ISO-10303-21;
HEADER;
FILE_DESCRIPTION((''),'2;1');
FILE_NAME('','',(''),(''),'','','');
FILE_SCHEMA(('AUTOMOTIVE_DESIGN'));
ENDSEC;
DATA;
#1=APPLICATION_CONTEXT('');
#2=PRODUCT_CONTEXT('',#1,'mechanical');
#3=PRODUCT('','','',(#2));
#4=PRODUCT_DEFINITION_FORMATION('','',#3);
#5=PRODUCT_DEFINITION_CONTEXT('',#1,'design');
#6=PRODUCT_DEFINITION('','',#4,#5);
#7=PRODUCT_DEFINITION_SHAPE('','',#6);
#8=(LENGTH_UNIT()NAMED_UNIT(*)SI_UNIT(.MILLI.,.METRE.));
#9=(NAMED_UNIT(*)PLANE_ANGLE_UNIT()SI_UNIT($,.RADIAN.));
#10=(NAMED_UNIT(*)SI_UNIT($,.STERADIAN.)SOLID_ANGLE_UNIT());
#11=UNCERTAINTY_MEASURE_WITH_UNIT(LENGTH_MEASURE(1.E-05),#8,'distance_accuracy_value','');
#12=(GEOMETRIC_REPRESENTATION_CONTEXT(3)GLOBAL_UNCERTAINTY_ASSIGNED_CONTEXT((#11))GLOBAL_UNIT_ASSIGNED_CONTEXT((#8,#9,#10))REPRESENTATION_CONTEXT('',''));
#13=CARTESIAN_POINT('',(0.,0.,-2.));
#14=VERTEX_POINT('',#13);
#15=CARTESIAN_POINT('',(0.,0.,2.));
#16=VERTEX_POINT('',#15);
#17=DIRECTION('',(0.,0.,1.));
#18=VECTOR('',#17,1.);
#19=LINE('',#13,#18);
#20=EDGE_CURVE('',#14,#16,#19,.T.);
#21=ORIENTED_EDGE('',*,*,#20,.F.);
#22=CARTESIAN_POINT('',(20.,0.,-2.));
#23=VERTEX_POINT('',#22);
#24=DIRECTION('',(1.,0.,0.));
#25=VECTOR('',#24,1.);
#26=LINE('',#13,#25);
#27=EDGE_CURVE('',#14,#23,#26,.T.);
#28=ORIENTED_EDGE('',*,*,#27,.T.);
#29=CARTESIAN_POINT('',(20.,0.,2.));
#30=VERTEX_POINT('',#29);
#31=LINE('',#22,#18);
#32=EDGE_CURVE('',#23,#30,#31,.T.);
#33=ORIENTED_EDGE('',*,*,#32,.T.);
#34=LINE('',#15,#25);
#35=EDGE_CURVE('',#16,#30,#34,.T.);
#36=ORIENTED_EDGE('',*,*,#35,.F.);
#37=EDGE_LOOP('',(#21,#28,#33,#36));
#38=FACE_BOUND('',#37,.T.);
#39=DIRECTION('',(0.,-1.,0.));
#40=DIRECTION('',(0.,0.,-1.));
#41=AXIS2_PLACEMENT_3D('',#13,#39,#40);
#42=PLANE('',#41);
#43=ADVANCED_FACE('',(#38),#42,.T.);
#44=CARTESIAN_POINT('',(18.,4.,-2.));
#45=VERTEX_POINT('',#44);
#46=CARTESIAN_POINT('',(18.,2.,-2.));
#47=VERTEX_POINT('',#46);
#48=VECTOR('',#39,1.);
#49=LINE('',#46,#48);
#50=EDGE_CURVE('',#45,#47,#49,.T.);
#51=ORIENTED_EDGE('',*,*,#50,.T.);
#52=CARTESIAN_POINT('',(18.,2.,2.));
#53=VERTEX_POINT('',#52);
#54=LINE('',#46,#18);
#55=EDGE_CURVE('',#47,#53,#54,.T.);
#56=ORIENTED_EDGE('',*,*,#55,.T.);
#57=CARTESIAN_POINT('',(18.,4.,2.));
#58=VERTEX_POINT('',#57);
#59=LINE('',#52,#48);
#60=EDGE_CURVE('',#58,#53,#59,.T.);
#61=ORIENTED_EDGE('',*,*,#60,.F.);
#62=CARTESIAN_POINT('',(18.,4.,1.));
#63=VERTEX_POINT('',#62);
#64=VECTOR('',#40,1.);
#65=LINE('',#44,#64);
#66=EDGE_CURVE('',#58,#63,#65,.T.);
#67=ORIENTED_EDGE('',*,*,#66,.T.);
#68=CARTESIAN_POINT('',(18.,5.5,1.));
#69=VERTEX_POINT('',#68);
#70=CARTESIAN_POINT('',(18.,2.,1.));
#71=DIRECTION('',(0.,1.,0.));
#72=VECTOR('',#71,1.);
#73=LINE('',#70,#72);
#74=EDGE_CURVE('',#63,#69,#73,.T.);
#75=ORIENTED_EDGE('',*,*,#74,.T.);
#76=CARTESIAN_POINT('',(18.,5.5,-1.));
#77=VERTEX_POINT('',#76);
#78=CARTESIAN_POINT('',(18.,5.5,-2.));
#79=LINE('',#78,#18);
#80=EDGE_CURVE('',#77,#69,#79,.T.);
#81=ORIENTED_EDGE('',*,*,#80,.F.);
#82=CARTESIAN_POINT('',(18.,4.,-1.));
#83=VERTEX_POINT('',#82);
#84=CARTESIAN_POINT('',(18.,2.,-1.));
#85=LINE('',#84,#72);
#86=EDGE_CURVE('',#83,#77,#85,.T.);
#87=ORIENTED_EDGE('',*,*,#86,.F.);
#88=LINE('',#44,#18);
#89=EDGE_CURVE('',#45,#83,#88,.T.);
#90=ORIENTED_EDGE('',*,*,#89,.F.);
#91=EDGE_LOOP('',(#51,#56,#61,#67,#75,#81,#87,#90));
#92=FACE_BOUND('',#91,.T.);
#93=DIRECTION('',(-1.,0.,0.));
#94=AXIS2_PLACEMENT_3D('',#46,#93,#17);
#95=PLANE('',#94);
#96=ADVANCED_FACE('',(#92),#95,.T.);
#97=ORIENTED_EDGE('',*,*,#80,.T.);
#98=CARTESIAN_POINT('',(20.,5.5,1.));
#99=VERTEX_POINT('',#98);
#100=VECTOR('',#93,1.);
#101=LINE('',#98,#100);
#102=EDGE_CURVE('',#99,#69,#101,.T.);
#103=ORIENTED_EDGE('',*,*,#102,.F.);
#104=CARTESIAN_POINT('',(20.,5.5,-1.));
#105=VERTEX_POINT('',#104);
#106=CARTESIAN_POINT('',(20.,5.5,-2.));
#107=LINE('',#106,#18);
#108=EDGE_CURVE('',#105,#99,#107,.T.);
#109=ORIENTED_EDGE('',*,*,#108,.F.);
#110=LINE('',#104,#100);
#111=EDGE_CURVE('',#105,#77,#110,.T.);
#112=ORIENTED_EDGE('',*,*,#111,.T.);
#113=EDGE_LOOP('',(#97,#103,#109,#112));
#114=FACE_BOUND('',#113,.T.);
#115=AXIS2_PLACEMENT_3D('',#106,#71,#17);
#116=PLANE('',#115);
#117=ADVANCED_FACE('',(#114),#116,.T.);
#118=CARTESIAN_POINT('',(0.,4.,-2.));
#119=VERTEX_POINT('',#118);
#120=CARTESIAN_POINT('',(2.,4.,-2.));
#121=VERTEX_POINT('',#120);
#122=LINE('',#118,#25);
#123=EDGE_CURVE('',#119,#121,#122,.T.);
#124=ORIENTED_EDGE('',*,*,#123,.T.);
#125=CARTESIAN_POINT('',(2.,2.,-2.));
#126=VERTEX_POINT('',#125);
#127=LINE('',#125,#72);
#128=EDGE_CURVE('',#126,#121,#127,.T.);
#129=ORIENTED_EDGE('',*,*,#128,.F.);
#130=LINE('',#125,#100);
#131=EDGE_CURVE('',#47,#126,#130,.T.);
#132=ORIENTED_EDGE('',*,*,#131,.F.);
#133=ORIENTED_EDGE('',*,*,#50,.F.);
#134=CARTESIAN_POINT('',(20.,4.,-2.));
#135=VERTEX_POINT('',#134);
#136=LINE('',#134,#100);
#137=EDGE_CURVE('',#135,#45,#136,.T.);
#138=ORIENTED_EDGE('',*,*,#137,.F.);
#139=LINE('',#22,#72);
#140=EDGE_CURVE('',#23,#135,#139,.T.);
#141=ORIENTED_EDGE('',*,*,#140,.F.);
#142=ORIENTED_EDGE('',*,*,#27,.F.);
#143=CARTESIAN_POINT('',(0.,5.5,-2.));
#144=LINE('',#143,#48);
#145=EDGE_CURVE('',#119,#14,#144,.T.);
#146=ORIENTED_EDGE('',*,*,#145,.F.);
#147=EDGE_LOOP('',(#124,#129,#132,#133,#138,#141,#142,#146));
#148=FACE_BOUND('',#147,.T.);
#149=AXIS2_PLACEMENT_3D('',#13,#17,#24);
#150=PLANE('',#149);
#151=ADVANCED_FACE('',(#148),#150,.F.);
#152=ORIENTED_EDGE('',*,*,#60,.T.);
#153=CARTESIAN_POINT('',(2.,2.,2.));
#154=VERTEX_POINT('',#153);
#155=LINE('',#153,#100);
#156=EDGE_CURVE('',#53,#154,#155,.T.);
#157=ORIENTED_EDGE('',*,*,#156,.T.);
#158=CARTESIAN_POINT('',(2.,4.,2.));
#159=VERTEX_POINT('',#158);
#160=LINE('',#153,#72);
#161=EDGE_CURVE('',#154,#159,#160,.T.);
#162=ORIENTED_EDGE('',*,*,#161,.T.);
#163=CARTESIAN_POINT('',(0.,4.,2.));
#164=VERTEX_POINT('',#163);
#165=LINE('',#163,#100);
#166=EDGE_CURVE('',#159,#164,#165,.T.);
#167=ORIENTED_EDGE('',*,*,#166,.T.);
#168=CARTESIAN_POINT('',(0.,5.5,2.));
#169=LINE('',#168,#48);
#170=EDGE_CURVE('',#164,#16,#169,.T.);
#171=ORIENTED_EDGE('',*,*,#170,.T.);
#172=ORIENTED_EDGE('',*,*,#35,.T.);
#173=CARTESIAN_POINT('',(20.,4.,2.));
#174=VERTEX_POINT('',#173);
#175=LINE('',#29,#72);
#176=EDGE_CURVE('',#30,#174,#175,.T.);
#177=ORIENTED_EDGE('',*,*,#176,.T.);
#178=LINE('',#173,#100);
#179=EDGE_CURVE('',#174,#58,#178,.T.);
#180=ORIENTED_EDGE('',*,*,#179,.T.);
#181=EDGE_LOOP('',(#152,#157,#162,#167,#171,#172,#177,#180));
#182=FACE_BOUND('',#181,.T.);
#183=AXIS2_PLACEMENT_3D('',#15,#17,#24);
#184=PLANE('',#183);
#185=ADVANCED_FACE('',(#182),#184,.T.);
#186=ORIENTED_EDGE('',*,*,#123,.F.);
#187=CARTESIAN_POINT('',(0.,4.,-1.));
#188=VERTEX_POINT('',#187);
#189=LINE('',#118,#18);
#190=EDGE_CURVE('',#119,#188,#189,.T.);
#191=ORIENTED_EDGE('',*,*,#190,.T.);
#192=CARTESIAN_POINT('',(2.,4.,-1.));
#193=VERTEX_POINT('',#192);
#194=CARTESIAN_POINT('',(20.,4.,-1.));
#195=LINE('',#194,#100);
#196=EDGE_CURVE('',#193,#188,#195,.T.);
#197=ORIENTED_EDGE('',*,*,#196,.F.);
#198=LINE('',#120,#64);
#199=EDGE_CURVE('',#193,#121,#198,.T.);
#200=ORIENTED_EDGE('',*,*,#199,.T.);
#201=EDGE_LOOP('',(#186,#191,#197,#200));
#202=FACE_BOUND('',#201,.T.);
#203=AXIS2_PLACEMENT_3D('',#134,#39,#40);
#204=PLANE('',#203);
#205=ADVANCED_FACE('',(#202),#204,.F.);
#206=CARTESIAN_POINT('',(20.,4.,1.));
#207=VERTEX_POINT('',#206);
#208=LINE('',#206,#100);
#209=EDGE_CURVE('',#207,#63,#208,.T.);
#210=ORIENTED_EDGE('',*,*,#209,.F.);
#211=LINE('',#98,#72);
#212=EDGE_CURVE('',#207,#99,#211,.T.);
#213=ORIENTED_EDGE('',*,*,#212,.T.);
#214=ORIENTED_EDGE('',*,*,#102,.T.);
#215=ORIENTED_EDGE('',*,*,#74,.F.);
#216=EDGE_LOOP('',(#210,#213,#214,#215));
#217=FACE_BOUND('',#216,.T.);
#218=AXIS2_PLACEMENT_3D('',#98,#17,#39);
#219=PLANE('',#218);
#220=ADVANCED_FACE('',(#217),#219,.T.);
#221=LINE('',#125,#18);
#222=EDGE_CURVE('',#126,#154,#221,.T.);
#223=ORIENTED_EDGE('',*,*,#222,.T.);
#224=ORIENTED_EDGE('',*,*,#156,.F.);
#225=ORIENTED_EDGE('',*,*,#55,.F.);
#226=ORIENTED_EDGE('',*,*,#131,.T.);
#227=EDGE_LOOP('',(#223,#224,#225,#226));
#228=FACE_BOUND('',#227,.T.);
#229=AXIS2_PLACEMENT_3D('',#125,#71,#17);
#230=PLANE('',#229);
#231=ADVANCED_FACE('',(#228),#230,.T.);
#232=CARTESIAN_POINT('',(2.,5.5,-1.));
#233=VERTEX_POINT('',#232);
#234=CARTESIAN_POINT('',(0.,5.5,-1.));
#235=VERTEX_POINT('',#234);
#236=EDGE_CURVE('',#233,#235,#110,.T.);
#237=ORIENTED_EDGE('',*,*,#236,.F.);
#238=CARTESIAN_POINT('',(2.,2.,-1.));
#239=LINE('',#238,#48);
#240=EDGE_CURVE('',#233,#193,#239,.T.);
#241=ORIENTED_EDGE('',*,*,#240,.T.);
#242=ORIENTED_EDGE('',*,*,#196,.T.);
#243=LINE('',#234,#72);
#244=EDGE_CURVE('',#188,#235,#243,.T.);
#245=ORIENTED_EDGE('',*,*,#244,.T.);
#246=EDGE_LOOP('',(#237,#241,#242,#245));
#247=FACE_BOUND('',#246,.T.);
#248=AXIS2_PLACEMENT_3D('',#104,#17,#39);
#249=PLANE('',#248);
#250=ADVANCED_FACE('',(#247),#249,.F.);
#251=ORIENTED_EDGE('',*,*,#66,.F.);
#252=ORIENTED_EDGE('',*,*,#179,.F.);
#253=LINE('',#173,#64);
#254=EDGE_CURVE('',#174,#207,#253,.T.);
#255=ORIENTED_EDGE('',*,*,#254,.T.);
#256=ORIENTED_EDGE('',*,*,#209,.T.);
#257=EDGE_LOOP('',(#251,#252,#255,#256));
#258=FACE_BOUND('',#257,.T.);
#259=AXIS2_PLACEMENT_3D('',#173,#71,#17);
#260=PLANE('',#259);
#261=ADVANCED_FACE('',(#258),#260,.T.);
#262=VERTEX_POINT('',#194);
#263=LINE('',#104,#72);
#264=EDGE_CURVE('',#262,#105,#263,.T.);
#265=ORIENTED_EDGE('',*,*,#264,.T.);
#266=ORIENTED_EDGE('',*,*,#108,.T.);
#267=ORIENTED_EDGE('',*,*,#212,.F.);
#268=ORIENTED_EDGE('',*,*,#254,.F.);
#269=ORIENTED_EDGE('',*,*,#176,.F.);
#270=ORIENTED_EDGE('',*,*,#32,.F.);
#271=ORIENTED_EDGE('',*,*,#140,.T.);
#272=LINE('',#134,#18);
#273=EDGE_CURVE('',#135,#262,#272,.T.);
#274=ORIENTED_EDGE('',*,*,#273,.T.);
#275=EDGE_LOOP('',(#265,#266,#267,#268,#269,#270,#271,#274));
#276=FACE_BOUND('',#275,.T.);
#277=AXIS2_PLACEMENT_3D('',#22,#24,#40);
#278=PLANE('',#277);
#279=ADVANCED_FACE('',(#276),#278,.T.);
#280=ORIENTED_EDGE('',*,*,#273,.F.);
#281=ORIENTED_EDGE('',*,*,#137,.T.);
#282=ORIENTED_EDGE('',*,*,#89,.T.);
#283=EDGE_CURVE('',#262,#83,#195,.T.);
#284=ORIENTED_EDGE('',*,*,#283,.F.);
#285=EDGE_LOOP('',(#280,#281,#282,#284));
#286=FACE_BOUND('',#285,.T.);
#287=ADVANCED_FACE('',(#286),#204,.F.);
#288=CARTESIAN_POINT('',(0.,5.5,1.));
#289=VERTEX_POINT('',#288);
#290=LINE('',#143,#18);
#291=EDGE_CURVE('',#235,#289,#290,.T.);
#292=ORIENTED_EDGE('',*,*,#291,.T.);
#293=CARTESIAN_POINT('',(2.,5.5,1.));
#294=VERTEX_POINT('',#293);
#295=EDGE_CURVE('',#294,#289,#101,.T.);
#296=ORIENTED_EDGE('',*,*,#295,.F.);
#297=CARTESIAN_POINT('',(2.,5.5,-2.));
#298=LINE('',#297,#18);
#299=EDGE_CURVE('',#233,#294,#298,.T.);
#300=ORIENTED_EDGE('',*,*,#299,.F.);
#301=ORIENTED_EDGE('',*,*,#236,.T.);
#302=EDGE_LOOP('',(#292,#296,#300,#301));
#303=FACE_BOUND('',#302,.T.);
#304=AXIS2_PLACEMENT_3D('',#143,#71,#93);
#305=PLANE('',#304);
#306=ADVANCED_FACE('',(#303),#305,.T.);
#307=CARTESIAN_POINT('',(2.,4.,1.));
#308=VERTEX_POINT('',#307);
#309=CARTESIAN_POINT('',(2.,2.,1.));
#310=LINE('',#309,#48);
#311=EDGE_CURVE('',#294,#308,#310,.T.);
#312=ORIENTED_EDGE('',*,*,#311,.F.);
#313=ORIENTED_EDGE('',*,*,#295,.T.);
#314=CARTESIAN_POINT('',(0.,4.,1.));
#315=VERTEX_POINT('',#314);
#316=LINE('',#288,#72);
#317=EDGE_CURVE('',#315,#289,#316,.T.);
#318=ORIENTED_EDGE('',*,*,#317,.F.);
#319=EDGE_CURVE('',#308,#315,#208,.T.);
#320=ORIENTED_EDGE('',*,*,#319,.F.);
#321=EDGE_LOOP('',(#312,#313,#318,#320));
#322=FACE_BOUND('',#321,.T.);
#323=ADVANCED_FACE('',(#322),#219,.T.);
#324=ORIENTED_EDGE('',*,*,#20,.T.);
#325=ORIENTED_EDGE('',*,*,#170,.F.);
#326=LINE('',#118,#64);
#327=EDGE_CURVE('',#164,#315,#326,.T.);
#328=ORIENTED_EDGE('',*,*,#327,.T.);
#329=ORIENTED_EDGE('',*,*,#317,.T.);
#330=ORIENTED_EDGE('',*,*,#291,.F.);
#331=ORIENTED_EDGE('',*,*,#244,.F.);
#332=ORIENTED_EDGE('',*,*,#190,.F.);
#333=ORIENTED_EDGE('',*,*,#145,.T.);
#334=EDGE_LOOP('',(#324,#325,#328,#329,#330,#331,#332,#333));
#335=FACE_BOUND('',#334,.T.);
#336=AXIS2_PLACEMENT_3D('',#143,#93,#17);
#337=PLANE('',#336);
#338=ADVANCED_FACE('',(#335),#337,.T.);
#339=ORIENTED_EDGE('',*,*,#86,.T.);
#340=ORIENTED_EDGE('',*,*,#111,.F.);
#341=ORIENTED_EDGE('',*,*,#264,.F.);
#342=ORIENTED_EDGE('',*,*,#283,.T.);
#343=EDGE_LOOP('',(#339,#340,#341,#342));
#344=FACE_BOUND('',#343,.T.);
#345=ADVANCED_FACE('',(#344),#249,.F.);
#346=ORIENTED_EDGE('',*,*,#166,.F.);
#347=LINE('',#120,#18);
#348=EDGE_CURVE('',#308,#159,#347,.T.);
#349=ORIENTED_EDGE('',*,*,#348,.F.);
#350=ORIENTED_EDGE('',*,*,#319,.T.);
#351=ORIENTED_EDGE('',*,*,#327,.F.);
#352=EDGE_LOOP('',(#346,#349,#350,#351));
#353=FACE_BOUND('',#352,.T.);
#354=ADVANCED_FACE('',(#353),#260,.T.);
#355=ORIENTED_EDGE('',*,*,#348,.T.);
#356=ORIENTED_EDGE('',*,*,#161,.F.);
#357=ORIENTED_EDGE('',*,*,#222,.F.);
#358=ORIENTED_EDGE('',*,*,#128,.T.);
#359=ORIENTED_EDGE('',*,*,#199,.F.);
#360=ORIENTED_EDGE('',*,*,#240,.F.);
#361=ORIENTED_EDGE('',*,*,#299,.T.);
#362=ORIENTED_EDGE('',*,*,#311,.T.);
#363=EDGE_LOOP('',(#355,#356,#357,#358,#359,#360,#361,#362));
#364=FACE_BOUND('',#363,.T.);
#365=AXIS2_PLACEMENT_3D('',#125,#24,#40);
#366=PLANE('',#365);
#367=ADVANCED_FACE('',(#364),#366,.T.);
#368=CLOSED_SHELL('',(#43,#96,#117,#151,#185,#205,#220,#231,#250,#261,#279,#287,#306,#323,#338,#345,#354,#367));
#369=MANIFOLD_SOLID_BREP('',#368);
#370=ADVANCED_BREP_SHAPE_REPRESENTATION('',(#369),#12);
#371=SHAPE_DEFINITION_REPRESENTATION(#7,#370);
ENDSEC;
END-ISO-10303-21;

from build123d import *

# Parameters (mm, degrees)
BOSS_EXTRUDE1_DEPTH      = 2
BOSS_EXTRUDE1_DEPTH_BACK = 2
SKETCH2_W                = 1
SKETCH2_H                = 1.5
CUT_EXTRUDE1_DEPTH       = 21.838665984


with BuildPart() as part:
    # Sketch1 → Boss-Extrude1 (new, two sides: drawn at the far end of the back side and taken through both)
    with BuildSketch(Plane.XY.offset(-BOSS_EXTRUDE1_DEPTH_BACK)):
        Polygon((2, 2), (18, 2), (18, 5.5), (20, 5.5), (20, 0), (0, 0), (0, 5.5), (2, 5.5), align=None)
    extrude(amount=BOSS_EXTRUDE1_DEPTH + BOSS_EXTRUDE1_DEPTH_BACK)

    # Sketch2 → Cut-Extrude1 (cut, symmetric)
    with BuildSketch(Plane.ZY):
        with Locations((-1.5, 4.75)):
            Rectangle(SKETCH2_W, SKETCH2_H)
    cut_extrude1 = extrude(amount=CUT_EXTRUDE1_DEPTH, both=True, mode=Mode.SUBTRACT)

    # Mirror1: Cut-Extrude1 across plane
    add(cut_extrude1.mirror(Plane.XY), mode=Mode.SUBTRACT)


solid = part.part
